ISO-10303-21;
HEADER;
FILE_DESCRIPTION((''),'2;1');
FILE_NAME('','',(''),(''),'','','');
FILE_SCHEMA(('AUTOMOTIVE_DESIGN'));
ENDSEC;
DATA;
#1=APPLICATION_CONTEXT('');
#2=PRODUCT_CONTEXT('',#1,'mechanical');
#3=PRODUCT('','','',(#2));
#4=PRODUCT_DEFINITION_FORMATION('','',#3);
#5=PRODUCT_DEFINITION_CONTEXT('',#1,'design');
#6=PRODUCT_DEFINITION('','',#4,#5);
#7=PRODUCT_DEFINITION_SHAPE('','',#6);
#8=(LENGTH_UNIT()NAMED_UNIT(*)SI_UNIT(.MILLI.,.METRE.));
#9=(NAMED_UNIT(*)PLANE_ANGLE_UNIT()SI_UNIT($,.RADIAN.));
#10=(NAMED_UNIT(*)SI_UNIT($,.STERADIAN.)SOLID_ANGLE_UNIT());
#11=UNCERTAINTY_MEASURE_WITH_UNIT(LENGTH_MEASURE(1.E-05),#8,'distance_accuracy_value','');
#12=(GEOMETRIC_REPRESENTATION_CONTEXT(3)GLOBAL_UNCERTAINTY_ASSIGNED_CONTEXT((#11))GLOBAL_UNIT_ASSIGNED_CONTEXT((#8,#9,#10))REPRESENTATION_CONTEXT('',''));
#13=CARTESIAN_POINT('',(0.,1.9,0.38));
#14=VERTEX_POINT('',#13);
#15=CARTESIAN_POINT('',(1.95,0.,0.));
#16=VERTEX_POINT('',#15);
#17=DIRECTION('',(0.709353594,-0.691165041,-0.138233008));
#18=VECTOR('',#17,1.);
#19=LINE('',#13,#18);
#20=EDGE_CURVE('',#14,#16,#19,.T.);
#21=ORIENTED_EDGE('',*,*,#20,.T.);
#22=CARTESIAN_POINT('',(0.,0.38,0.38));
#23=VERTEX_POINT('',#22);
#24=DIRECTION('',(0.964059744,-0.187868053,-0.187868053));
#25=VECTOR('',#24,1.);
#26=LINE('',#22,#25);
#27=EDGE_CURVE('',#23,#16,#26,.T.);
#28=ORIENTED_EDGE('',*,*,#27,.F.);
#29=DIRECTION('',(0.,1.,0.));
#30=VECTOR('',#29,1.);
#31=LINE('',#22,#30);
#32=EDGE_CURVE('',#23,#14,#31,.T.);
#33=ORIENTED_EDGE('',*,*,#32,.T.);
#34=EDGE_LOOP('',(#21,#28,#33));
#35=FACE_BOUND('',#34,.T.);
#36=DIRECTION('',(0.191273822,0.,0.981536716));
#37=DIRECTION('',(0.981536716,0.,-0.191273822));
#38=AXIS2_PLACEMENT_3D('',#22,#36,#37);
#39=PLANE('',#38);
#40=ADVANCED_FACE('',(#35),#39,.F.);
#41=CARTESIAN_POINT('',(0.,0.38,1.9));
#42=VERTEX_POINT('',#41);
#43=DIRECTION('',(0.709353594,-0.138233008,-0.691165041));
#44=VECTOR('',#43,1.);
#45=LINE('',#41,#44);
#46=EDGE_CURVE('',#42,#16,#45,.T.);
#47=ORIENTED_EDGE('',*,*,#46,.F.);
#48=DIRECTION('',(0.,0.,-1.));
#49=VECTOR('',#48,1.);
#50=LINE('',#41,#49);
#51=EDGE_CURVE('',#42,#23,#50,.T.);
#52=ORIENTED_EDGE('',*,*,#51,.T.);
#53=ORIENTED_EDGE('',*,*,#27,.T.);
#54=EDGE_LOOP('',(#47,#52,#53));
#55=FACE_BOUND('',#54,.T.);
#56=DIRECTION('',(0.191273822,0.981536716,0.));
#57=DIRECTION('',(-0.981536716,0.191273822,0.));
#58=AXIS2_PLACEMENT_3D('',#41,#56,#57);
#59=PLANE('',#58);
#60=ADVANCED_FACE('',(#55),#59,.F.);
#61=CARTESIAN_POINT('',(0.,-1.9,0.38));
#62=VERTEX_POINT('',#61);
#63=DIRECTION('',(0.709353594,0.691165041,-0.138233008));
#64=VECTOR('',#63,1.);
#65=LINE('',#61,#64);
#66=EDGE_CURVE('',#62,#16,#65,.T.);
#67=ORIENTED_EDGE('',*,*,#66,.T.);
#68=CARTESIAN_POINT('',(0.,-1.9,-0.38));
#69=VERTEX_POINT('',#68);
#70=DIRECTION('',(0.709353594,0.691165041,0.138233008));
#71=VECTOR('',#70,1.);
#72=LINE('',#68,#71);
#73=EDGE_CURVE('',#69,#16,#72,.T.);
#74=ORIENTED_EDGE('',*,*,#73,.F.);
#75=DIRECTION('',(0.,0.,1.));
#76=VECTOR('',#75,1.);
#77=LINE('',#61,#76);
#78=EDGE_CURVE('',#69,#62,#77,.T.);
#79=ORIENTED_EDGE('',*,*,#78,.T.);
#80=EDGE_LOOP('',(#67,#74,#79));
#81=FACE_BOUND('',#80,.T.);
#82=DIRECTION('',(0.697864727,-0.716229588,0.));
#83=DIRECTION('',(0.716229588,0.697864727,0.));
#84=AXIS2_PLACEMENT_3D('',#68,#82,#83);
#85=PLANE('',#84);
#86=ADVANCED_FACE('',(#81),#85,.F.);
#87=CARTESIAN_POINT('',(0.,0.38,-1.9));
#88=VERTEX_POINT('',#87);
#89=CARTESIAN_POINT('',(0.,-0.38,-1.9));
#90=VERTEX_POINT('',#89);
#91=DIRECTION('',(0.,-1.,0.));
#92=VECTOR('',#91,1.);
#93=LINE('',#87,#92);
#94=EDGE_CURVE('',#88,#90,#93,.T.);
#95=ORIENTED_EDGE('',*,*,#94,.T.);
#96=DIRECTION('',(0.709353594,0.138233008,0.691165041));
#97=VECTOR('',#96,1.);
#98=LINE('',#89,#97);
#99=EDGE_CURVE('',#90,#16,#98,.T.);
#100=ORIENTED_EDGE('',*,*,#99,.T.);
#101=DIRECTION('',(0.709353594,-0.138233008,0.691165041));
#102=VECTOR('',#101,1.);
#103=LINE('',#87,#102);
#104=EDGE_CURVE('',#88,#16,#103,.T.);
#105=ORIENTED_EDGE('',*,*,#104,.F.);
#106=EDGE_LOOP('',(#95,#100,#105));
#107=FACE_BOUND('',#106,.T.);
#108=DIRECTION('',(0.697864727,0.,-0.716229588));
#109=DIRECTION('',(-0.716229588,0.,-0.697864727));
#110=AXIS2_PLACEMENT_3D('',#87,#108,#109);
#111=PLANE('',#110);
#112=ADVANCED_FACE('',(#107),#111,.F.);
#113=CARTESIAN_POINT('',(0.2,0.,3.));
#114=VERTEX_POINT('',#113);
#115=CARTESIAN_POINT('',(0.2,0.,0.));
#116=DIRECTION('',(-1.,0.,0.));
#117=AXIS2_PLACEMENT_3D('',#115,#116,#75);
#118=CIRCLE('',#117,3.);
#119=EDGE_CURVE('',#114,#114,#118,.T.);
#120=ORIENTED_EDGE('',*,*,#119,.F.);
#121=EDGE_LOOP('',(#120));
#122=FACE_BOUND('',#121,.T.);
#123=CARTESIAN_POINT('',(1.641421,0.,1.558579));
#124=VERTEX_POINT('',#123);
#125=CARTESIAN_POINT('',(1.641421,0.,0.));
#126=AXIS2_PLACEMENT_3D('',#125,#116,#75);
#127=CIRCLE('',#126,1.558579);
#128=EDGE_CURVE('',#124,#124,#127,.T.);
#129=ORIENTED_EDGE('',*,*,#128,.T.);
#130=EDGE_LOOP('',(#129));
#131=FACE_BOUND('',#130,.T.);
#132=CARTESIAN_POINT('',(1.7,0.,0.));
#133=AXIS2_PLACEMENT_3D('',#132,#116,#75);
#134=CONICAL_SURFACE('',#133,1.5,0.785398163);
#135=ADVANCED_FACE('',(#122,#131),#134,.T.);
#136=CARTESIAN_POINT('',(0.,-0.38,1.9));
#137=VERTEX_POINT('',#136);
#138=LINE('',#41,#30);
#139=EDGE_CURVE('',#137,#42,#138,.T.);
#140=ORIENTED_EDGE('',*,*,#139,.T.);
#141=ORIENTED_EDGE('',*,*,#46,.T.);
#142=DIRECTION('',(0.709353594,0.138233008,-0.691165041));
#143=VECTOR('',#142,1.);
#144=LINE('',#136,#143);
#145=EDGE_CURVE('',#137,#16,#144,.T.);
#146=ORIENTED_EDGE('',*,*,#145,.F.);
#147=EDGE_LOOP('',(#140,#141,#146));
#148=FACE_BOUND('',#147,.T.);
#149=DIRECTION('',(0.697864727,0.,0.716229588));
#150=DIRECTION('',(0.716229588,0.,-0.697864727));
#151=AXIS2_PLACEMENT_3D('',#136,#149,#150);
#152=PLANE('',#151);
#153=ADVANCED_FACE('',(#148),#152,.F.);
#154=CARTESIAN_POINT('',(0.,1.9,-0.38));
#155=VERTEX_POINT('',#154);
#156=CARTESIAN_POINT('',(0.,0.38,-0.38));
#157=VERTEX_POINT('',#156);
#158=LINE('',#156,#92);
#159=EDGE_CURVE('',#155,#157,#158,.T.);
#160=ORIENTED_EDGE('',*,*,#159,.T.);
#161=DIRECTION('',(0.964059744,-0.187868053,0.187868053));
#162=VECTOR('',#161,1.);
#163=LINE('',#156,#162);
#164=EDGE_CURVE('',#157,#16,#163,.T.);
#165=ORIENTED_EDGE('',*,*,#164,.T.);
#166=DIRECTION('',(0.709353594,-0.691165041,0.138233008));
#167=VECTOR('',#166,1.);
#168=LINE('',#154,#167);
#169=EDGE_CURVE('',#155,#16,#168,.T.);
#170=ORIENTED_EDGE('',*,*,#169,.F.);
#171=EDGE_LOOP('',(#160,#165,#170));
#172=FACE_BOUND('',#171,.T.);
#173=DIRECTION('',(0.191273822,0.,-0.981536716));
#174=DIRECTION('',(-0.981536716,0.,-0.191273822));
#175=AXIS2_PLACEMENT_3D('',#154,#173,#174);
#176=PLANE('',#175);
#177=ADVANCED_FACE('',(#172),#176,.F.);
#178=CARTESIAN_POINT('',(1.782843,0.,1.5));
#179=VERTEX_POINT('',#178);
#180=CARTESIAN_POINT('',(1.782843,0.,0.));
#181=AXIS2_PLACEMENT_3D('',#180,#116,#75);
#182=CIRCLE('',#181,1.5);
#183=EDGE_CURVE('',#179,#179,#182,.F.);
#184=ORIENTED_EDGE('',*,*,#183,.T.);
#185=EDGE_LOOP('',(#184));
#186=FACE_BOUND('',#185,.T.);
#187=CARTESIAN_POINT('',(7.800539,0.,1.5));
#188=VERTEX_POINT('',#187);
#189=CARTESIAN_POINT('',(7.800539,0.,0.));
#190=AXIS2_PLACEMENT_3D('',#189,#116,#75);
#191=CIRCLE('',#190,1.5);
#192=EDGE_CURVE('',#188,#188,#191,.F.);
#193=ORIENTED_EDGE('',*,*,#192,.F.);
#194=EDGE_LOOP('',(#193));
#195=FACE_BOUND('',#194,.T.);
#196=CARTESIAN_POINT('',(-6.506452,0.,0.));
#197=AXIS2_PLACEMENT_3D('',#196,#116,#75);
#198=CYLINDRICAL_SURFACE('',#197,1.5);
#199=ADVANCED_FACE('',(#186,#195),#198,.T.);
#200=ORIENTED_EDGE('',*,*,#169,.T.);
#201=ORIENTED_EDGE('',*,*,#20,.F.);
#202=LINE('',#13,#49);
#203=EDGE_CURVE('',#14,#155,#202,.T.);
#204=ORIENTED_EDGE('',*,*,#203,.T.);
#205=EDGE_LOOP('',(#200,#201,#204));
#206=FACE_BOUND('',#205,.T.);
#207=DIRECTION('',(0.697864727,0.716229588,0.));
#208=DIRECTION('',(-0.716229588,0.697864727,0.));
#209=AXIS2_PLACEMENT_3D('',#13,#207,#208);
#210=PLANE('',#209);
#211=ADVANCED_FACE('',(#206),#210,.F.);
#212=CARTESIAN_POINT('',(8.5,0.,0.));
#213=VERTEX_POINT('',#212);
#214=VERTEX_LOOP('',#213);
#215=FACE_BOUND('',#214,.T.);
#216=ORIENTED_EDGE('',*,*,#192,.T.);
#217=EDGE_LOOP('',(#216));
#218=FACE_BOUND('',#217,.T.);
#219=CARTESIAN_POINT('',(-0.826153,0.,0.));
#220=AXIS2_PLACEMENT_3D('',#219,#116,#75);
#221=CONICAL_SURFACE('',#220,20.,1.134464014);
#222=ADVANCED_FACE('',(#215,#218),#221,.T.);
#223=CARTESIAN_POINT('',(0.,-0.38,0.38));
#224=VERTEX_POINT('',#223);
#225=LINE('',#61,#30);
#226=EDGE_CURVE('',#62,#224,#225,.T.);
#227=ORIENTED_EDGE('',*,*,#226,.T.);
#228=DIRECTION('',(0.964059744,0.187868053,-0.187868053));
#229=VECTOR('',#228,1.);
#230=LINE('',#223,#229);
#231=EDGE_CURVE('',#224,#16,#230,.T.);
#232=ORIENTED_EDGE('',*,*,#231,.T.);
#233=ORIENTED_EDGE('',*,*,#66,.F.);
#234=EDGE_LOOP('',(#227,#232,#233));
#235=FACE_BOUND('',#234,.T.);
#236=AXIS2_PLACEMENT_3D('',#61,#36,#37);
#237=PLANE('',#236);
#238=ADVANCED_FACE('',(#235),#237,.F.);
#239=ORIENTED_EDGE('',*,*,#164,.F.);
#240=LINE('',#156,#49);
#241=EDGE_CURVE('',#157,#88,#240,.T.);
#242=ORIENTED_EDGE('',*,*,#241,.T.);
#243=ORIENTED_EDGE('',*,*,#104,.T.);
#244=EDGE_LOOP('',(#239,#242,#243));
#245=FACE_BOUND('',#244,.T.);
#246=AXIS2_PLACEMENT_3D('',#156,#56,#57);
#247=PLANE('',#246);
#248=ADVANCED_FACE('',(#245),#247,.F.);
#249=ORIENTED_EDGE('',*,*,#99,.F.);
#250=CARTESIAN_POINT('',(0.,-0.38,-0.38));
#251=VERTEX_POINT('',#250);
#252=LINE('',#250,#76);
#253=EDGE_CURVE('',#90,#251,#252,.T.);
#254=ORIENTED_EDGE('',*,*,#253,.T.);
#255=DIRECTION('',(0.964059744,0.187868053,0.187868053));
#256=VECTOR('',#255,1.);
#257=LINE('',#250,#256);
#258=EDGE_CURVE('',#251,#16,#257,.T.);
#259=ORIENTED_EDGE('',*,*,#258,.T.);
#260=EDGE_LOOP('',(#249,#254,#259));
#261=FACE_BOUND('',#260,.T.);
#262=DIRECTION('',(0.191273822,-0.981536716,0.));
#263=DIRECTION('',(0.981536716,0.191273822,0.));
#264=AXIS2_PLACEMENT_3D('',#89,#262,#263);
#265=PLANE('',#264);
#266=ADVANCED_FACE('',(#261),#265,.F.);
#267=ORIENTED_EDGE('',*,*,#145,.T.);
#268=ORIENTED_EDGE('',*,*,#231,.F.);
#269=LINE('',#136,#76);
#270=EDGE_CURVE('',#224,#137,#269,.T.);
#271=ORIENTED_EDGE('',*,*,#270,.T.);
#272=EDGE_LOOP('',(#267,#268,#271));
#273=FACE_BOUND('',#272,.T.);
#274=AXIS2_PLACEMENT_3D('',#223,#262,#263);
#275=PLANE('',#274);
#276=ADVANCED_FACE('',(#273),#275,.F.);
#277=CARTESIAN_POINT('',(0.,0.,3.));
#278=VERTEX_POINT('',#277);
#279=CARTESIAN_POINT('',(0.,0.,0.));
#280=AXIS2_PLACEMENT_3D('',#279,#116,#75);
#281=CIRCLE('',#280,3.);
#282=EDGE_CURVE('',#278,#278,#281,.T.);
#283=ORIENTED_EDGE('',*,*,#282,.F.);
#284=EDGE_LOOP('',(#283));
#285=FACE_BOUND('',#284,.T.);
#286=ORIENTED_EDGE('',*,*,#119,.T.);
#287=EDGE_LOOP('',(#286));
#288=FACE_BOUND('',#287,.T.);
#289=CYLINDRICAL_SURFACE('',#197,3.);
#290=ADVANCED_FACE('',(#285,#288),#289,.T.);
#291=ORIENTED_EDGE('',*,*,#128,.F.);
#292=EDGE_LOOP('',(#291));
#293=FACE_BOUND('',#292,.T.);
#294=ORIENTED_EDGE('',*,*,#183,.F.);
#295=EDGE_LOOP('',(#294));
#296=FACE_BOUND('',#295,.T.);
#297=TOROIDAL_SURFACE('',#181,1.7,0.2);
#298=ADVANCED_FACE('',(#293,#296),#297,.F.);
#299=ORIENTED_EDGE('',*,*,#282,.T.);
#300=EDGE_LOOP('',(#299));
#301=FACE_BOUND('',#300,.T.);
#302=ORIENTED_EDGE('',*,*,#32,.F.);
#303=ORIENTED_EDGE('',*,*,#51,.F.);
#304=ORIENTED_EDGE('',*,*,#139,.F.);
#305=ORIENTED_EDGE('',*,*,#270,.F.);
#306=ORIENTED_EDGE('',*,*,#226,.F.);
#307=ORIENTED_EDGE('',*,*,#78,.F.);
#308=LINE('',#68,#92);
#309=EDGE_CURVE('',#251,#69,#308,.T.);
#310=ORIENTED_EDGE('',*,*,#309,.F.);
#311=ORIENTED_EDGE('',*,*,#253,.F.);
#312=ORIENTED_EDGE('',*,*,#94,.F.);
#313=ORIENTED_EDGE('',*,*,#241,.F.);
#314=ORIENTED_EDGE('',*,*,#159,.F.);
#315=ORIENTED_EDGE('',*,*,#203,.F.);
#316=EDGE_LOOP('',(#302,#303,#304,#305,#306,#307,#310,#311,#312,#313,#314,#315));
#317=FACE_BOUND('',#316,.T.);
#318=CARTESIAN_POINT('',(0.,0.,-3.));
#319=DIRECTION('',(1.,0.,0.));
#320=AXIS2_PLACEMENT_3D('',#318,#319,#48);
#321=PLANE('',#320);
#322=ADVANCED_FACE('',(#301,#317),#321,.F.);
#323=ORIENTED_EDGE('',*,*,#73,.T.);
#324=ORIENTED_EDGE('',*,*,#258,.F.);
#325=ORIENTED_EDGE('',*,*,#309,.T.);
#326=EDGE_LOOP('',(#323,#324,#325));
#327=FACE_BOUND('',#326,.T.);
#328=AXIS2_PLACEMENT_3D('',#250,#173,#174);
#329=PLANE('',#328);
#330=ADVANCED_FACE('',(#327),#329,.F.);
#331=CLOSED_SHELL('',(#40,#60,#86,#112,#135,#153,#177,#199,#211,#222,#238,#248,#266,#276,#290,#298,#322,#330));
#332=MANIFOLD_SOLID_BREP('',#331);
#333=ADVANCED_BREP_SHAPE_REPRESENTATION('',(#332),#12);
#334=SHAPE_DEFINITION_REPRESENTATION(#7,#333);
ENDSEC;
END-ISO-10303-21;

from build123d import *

# Parameters (mm, degrees)
FILLET2_R = 0.2


with BuildPart() as part:
    # Sketch1 → Base (revolve)
    with BuildSketch(Plane(origin=(0, 0, 0), x_dir=(1, 0, 0), z_dir=(0, 1, 0))):
        Polygon((1.7, 1.5), (8.5, 1.5), (8.5, 0), (0, 0), (0, 3), (0.2, 3), align=None)
    revolve(axis=Axis((-6.506452013, 0, 0), (1, 0, 0)))

    # Sketch3 → Cut-Revolve1 (revolve, cut)
    with BuildSketch(Plane.XY):
        Polygon((8.65755877, 0), (8.65755877, 20), (-0.826153163, 20), (8.5, 0), align=None)
    revolve(axis=Axis((4.883468835, 0, 0), (1, 0, 0)), mode=Mode.SUBTRACT)

    # Fillet2
    fillet2_edges = [part.edges().sort_by_distance(p)[0] for p in [
        (1.7, 0, 1.5),
    ]]
    fillet(fillet2_edges, radius=FILLET2_R)

    # Sketch2 → Cut-Loft1 section 0
    with BuildSketch(Plane(origin=(0, -0.680816871, 0.306758275), x_dir=(0, 0, 1), z_dir=(-1, 0, 0)), mode=Mode.PRIVATE) as cut_loft1_s0:
        Polygon((-0.686758275, 1.060816871), (-2.206758275, 1.060816871), (-2.206758275, 0.300816871), (-0.686758275, 0.300816871), (-0.686758275, -1.219183129), (0.073241725, -1.219183129), (0.073241725, 0.300816871), (1.593241725, 0.300816871), (1.593241725, 1.060816871), (0.073241725, 1.060816871), (0.073241725, 2.580816871), (-0.686758275, 2.580816871), align=None)
    loft([cut_loft1_s0.sketch, Vertex(1.95, 0, 0)], mode=Mode.SUBTRACT)


solid = part.part
